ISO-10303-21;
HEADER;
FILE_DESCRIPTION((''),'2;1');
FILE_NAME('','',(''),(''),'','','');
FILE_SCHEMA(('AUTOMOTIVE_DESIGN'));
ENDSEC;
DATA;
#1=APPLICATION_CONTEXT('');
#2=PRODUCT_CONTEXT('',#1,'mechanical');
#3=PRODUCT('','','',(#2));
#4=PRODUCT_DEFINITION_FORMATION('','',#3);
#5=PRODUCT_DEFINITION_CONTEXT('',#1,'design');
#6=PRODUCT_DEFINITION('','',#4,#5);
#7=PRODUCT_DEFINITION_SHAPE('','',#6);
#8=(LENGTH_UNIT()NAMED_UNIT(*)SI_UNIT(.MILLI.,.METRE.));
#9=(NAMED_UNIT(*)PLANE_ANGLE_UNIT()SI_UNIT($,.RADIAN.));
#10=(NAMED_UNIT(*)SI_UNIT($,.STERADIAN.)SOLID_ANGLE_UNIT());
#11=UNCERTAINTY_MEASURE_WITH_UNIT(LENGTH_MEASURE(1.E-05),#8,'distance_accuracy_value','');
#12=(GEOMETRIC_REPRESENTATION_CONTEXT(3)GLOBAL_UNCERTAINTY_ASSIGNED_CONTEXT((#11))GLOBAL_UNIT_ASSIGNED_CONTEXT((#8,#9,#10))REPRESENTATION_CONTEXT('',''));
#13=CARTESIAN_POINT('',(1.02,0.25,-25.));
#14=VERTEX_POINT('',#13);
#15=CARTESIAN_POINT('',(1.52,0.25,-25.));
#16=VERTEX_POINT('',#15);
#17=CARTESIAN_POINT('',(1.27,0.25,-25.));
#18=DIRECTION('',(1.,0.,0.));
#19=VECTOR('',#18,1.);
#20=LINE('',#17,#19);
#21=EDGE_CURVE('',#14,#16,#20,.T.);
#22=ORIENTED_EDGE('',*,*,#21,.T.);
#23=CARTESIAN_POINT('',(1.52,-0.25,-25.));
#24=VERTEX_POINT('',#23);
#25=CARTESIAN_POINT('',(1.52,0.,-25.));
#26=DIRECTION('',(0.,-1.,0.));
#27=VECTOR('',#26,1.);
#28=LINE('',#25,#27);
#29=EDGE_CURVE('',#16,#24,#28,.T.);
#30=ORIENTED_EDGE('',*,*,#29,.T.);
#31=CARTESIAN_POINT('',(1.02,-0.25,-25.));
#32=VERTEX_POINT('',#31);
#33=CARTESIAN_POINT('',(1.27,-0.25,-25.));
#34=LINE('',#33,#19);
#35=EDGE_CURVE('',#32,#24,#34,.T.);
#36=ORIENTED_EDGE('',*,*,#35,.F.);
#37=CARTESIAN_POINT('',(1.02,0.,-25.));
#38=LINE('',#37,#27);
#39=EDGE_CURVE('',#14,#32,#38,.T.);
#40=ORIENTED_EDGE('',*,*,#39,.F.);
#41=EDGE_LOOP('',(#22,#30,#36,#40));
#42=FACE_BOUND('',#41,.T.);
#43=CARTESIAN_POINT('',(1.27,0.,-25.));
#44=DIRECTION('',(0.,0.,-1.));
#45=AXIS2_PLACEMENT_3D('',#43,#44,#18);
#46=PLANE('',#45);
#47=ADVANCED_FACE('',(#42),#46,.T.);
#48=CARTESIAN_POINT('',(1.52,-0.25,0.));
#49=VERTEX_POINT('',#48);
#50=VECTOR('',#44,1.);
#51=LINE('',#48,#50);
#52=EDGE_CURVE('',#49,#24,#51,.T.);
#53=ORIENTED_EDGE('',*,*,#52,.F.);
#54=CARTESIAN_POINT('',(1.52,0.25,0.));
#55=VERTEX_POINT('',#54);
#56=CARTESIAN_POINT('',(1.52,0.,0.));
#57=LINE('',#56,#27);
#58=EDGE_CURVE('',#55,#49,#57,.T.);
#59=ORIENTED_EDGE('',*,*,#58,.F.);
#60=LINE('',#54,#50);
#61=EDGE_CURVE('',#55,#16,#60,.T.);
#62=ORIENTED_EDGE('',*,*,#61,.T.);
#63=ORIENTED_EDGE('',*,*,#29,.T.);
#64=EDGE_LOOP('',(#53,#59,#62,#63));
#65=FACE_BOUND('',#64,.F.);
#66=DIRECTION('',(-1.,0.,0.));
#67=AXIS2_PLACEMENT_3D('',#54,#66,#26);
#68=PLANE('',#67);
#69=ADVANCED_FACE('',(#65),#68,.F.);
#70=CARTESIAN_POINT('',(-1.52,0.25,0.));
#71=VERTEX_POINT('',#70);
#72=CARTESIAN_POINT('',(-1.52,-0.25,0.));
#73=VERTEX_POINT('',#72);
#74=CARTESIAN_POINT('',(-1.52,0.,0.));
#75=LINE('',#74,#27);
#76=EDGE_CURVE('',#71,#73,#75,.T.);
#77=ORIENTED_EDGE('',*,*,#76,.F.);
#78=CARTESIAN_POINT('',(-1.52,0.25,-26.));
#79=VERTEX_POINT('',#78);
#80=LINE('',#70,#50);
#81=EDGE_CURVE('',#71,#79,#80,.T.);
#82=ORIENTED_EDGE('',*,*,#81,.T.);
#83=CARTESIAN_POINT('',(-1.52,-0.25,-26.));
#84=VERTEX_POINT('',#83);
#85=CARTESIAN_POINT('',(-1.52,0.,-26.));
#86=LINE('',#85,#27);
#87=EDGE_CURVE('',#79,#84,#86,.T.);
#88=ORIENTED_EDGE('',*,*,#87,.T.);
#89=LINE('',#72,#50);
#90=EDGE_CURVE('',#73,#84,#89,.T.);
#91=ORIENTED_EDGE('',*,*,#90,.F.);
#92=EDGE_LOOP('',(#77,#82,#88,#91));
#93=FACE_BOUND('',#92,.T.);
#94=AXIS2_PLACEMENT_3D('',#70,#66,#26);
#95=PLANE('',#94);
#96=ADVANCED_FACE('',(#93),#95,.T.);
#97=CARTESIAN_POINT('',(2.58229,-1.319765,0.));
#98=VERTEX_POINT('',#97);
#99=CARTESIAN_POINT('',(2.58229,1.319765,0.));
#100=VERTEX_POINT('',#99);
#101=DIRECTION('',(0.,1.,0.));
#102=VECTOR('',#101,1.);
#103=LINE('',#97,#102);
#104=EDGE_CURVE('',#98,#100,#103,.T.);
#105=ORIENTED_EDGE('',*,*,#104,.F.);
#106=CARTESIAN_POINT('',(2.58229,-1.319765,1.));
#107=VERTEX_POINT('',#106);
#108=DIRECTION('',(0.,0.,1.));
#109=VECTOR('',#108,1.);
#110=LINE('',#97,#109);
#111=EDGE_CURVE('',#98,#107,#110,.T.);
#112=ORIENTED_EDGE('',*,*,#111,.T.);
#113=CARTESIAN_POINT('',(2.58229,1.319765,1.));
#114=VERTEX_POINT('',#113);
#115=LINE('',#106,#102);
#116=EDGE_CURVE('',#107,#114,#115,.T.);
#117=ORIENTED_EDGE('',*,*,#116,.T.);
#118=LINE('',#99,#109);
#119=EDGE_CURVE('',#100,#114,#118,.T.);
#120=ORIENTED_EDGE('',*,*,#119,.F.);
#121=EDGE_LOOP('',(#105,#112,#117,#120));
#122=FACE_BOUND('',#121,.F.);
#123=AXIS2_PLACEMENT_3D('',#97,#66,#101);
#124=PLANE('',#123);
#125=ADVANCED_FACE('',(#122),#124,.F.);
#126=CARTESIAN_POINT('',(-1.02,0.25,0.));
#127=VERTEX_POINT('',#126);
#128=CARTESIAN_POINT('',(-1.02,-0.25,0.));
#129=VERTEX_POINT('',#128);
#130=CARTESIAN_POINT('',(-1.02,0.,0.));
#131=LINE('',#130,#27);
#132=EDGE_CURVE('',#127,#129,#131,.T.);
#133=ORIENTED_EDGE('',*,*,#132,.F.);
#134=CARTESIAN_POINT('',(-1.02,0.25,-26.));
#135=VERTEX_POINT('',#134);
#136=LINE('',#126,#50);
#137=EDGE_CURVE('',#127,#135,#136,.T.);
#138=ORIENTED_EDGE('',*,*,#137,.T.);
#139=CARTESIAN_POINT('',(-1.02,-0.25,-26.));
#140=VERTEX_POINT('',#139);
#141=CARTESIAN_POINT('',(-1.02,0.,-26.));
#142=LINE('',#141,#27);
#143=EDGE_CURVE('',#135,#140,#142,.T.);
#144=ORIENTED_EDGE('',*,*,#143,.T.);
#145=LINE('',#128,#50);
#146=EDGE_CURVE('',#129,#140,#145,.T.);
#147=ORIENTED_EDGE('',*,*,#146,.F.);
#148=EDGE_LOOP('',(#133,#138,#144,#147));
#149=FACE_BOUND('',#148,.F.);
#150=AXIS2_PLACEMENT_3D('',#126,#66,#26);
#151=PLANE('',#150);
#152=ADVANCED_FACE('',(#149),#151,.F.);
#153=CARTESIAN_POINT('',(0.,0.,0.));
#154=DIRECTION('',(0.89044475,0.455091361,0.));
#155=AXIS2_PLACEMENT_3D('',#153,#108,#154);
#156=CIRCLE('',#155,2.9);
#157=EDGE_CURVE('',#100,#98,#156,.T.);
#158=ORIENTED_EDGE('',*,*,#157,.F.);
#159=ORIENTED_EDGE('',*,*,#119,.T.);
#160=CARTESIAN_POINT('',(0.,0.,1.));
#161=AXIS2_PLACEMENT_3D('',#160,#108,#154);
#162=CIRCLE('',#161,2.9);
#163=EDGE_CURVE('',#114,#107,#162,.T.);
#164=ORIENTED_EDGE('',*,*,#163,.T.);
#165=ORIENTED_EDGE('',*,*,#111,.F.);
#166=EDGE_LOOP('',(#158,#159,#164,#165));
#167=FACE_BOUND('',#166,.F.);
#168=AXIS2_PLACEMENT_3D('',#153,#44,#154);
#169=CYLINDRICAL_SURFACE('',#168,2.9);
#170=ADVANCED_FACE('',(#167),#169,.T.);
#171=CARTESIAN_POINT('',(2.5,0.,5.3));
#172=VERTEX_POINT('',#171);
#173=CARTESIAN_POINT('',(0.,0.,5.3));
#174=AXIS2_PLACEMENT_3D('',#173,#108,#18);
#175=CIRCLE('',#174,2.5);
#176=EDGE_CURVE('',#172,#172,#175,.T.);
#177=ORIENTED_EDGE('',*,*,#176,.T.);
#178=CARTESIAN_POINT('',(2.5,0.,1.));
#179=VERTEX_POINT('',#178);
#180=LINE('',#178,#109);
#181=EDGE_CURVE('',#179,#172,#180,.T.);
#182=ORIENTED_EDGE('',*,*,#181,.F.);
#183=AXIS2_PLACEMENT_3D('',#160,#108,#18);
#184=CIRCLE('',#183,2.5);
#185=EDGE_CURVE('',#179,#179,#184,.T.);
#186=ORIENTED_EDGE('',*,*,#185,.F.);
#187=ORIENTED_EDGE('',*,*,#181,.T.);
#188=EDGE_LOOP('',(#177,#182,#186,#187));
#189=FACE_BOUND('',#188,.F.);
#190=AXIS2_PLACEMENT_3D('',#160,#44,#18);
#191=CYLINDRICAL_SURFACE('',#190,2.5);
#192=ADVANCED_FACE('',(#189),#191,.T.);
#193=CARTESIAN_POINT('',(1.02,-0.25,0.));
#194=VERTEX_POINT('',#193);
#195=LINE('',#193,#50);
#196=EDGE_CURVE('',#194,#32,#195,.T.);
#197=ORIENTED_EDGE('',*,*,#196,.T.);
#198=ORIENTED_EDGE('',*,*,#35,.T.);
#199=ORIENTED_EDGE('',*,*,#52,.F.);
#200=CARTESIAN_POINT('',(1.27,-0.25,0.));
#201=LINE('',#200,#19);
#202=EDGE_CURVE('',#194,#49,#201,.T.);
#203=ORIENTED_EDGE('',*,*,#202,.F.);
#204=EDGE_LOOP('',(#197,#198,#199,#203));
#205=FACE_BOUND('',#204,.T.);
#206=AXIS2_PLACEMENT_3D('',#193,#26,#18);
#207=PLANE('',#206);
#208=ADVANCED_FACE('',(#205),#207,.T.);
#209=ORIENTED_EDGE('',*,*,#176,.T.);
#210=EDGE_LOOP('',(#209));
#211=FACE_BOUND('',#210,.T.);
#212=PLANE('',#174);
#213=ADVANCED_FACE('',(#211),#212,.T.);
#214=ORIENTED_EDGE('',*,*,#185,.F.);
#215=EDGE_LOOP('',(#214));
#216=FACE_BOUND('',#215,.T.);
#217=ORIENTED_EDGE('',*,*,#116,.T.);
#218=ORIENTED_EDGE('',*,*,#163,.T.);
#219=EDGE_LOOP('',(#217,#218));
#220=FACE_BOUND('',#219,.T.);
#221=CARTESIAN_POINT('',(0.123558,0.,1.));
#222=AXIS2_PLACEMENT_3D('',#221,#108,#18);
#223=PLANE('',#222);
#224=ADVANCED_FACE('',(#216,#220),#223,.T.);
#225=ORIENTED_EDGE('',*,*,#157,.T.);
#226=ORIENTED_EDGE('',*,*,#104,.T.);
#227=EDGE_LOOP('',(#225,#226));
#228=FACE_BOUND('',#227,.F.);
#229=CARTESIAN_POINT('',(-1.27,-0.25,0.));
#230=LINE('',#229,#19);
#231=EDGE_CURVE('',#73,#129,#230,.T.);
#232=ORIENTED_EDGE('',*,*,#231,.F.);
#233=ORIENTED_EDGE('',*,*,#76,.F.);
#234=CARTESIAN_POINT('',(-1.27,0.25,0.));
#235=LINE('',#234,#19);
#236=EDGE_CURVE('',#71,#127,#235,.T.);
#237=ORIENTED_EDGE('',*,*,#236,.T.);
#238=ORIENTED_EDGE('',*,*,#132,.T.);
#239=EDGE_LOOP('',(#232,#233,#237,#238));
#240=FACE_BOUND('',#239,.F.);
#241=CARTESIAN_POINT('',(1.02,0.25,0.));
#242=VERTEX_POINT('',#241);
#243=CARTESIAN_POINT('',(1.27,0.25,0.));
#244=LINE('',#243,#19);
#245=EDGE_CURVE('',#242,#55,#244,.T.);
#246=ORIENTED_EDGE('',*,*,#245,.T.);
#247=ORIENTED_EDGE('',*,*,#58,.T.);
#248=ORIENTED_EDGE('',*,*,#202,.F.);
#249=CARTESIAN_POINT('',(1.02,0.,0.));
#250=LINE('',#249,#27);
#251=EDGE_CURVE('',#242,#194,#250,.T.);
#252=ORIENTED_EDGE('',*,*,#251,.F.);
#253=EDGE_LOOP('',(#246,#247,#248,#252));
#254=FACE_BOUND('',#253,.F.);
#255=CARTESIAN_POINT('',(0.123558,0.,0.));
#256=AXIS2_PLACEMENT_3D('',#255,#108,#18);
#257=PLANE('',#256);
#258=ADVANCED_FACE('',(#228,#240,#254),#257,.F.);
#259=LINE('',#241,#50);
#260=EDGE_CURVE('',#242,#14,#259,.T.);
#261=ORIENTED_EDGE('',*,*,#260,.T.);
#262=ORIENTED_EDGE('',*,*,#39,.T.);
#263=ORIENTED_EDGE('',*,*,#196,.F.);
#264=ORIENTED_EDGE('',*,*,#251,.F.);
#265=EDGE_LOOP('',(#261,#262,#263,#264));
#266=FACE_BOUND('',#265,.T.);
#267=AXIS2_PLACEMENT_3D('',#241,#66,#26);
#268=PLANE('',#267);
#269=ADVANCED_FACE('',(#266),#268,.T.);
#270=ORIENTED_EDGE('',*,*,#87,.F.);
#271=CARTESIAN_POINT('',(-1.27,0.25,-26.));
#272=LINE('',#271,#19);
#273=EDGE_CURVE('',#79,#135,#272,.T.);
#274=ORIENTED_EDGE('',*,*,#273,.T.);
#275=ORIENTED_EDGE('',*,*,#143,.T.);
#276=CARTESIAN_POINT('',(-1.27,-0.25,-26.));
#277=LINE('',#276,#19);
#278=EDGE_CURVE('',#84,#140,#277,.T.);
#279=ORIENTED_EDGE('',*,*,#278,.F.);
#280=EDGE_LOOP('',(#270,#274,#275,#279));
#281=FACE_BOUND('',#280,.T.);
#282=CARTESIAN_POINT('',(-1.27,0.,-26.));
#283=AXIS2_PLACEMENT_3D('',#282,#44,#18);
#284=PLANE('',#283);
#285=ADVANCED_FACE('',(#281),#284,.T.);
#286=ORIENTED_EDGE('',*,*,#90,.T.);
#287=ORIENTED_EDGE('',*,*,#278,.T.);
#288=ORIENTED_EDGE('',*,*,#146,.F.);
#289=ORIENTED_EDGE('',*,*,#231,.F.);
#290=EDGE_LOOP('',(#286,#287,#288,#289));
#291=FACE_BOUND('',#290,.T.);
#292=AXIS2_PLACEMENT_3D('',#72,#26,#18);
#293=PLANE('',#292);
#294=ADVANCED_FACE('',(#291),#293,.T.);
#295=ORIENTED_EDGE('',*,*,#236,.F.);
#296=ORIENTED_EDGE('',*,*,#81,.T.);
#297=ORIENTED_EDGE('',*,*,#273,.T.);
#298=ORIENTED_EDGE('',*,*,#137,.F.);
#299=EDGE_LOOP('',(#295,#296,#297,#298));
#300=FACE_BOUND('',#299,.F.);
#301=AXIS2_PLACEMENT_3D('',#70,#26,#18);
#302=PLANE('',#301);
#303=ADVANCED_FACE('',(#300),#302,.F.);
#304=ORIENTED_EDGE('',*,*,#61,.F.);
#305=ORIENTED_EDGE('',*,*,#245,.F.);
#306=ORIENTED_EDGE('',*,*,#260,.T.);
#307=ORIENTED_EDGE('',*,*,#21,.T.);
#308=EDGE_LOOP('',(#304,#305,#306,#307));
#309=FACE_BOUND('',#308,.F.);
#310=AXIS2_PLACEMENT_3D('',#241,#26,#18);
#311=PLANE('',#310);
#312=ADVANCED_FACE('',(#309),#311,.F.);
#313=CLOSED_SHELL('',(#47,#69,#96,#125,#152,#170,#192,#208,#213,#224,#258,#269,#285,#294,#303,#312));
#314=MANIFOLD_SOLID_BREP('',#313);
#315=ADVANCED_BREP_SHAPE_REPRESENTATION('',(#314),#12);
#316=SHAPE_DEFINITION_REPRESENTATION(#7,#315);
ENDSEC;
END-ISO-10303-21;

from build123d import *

# Parameters (mm, degrees)
PAD_DEPTH    = 1
SKETCH001_R  = 2.5
PAD001_DEPTH = 4.3
SKETCH002_W  = 0.5
SKETCH002_H  = 0.5
PAD002_DEPTH = 26
SKETCH003_W  = 0.5
SKETCH003_H  = 0.5
PAD003_DEPTH = 25


with BuildPart() as part:
    # Sketch → Pad (new body)
    with BuildSketch(Plane.XY):
        with BuildLine():
            ThreePointArc((2.58229, 1.319765), (-2.9, 0), (2.58229, -1.319765))
            Line((2.58229, -1.319765), (2.58229, 1.319765))
        make_face()
    extrude(amount=PAD_DEPTH)

    # Sketch001 (on Face4 of Pad) → Pad001 (join)
    with BuildSketch(Plane.XY.offset(1)):
        Circle(SKETCH001_R)
    extrude(amount=PAD001_DEPTH)

    # Sketch002 (on Face3 of Pad001) → Pad002 (join)
    with BuildSketch(Plane(origin=(0, 0, 0), x_dir=(1, 0, 0), z_dir=(0, 0, -1))):
        with Locations((-1.27, 0)):
            Rectangle(SKETCH002_W, SKETCH002_H)
    extrude(amount=PAD002_DEPTH)

    # Sketch003 (on Face3 of Pad002) → Pad003 (join)
    with BuildSketch(Plane(origin=(0, 0, 0), x_dir=(1, 0, 0), z_dir=(0, 0, -1))):
        with Locations((1.27, 0)):
            Rectangle(SKETCH003_W, SKETCH003_H)
    extrude(amount=PAD003_DEPTH)


solid = part.part
